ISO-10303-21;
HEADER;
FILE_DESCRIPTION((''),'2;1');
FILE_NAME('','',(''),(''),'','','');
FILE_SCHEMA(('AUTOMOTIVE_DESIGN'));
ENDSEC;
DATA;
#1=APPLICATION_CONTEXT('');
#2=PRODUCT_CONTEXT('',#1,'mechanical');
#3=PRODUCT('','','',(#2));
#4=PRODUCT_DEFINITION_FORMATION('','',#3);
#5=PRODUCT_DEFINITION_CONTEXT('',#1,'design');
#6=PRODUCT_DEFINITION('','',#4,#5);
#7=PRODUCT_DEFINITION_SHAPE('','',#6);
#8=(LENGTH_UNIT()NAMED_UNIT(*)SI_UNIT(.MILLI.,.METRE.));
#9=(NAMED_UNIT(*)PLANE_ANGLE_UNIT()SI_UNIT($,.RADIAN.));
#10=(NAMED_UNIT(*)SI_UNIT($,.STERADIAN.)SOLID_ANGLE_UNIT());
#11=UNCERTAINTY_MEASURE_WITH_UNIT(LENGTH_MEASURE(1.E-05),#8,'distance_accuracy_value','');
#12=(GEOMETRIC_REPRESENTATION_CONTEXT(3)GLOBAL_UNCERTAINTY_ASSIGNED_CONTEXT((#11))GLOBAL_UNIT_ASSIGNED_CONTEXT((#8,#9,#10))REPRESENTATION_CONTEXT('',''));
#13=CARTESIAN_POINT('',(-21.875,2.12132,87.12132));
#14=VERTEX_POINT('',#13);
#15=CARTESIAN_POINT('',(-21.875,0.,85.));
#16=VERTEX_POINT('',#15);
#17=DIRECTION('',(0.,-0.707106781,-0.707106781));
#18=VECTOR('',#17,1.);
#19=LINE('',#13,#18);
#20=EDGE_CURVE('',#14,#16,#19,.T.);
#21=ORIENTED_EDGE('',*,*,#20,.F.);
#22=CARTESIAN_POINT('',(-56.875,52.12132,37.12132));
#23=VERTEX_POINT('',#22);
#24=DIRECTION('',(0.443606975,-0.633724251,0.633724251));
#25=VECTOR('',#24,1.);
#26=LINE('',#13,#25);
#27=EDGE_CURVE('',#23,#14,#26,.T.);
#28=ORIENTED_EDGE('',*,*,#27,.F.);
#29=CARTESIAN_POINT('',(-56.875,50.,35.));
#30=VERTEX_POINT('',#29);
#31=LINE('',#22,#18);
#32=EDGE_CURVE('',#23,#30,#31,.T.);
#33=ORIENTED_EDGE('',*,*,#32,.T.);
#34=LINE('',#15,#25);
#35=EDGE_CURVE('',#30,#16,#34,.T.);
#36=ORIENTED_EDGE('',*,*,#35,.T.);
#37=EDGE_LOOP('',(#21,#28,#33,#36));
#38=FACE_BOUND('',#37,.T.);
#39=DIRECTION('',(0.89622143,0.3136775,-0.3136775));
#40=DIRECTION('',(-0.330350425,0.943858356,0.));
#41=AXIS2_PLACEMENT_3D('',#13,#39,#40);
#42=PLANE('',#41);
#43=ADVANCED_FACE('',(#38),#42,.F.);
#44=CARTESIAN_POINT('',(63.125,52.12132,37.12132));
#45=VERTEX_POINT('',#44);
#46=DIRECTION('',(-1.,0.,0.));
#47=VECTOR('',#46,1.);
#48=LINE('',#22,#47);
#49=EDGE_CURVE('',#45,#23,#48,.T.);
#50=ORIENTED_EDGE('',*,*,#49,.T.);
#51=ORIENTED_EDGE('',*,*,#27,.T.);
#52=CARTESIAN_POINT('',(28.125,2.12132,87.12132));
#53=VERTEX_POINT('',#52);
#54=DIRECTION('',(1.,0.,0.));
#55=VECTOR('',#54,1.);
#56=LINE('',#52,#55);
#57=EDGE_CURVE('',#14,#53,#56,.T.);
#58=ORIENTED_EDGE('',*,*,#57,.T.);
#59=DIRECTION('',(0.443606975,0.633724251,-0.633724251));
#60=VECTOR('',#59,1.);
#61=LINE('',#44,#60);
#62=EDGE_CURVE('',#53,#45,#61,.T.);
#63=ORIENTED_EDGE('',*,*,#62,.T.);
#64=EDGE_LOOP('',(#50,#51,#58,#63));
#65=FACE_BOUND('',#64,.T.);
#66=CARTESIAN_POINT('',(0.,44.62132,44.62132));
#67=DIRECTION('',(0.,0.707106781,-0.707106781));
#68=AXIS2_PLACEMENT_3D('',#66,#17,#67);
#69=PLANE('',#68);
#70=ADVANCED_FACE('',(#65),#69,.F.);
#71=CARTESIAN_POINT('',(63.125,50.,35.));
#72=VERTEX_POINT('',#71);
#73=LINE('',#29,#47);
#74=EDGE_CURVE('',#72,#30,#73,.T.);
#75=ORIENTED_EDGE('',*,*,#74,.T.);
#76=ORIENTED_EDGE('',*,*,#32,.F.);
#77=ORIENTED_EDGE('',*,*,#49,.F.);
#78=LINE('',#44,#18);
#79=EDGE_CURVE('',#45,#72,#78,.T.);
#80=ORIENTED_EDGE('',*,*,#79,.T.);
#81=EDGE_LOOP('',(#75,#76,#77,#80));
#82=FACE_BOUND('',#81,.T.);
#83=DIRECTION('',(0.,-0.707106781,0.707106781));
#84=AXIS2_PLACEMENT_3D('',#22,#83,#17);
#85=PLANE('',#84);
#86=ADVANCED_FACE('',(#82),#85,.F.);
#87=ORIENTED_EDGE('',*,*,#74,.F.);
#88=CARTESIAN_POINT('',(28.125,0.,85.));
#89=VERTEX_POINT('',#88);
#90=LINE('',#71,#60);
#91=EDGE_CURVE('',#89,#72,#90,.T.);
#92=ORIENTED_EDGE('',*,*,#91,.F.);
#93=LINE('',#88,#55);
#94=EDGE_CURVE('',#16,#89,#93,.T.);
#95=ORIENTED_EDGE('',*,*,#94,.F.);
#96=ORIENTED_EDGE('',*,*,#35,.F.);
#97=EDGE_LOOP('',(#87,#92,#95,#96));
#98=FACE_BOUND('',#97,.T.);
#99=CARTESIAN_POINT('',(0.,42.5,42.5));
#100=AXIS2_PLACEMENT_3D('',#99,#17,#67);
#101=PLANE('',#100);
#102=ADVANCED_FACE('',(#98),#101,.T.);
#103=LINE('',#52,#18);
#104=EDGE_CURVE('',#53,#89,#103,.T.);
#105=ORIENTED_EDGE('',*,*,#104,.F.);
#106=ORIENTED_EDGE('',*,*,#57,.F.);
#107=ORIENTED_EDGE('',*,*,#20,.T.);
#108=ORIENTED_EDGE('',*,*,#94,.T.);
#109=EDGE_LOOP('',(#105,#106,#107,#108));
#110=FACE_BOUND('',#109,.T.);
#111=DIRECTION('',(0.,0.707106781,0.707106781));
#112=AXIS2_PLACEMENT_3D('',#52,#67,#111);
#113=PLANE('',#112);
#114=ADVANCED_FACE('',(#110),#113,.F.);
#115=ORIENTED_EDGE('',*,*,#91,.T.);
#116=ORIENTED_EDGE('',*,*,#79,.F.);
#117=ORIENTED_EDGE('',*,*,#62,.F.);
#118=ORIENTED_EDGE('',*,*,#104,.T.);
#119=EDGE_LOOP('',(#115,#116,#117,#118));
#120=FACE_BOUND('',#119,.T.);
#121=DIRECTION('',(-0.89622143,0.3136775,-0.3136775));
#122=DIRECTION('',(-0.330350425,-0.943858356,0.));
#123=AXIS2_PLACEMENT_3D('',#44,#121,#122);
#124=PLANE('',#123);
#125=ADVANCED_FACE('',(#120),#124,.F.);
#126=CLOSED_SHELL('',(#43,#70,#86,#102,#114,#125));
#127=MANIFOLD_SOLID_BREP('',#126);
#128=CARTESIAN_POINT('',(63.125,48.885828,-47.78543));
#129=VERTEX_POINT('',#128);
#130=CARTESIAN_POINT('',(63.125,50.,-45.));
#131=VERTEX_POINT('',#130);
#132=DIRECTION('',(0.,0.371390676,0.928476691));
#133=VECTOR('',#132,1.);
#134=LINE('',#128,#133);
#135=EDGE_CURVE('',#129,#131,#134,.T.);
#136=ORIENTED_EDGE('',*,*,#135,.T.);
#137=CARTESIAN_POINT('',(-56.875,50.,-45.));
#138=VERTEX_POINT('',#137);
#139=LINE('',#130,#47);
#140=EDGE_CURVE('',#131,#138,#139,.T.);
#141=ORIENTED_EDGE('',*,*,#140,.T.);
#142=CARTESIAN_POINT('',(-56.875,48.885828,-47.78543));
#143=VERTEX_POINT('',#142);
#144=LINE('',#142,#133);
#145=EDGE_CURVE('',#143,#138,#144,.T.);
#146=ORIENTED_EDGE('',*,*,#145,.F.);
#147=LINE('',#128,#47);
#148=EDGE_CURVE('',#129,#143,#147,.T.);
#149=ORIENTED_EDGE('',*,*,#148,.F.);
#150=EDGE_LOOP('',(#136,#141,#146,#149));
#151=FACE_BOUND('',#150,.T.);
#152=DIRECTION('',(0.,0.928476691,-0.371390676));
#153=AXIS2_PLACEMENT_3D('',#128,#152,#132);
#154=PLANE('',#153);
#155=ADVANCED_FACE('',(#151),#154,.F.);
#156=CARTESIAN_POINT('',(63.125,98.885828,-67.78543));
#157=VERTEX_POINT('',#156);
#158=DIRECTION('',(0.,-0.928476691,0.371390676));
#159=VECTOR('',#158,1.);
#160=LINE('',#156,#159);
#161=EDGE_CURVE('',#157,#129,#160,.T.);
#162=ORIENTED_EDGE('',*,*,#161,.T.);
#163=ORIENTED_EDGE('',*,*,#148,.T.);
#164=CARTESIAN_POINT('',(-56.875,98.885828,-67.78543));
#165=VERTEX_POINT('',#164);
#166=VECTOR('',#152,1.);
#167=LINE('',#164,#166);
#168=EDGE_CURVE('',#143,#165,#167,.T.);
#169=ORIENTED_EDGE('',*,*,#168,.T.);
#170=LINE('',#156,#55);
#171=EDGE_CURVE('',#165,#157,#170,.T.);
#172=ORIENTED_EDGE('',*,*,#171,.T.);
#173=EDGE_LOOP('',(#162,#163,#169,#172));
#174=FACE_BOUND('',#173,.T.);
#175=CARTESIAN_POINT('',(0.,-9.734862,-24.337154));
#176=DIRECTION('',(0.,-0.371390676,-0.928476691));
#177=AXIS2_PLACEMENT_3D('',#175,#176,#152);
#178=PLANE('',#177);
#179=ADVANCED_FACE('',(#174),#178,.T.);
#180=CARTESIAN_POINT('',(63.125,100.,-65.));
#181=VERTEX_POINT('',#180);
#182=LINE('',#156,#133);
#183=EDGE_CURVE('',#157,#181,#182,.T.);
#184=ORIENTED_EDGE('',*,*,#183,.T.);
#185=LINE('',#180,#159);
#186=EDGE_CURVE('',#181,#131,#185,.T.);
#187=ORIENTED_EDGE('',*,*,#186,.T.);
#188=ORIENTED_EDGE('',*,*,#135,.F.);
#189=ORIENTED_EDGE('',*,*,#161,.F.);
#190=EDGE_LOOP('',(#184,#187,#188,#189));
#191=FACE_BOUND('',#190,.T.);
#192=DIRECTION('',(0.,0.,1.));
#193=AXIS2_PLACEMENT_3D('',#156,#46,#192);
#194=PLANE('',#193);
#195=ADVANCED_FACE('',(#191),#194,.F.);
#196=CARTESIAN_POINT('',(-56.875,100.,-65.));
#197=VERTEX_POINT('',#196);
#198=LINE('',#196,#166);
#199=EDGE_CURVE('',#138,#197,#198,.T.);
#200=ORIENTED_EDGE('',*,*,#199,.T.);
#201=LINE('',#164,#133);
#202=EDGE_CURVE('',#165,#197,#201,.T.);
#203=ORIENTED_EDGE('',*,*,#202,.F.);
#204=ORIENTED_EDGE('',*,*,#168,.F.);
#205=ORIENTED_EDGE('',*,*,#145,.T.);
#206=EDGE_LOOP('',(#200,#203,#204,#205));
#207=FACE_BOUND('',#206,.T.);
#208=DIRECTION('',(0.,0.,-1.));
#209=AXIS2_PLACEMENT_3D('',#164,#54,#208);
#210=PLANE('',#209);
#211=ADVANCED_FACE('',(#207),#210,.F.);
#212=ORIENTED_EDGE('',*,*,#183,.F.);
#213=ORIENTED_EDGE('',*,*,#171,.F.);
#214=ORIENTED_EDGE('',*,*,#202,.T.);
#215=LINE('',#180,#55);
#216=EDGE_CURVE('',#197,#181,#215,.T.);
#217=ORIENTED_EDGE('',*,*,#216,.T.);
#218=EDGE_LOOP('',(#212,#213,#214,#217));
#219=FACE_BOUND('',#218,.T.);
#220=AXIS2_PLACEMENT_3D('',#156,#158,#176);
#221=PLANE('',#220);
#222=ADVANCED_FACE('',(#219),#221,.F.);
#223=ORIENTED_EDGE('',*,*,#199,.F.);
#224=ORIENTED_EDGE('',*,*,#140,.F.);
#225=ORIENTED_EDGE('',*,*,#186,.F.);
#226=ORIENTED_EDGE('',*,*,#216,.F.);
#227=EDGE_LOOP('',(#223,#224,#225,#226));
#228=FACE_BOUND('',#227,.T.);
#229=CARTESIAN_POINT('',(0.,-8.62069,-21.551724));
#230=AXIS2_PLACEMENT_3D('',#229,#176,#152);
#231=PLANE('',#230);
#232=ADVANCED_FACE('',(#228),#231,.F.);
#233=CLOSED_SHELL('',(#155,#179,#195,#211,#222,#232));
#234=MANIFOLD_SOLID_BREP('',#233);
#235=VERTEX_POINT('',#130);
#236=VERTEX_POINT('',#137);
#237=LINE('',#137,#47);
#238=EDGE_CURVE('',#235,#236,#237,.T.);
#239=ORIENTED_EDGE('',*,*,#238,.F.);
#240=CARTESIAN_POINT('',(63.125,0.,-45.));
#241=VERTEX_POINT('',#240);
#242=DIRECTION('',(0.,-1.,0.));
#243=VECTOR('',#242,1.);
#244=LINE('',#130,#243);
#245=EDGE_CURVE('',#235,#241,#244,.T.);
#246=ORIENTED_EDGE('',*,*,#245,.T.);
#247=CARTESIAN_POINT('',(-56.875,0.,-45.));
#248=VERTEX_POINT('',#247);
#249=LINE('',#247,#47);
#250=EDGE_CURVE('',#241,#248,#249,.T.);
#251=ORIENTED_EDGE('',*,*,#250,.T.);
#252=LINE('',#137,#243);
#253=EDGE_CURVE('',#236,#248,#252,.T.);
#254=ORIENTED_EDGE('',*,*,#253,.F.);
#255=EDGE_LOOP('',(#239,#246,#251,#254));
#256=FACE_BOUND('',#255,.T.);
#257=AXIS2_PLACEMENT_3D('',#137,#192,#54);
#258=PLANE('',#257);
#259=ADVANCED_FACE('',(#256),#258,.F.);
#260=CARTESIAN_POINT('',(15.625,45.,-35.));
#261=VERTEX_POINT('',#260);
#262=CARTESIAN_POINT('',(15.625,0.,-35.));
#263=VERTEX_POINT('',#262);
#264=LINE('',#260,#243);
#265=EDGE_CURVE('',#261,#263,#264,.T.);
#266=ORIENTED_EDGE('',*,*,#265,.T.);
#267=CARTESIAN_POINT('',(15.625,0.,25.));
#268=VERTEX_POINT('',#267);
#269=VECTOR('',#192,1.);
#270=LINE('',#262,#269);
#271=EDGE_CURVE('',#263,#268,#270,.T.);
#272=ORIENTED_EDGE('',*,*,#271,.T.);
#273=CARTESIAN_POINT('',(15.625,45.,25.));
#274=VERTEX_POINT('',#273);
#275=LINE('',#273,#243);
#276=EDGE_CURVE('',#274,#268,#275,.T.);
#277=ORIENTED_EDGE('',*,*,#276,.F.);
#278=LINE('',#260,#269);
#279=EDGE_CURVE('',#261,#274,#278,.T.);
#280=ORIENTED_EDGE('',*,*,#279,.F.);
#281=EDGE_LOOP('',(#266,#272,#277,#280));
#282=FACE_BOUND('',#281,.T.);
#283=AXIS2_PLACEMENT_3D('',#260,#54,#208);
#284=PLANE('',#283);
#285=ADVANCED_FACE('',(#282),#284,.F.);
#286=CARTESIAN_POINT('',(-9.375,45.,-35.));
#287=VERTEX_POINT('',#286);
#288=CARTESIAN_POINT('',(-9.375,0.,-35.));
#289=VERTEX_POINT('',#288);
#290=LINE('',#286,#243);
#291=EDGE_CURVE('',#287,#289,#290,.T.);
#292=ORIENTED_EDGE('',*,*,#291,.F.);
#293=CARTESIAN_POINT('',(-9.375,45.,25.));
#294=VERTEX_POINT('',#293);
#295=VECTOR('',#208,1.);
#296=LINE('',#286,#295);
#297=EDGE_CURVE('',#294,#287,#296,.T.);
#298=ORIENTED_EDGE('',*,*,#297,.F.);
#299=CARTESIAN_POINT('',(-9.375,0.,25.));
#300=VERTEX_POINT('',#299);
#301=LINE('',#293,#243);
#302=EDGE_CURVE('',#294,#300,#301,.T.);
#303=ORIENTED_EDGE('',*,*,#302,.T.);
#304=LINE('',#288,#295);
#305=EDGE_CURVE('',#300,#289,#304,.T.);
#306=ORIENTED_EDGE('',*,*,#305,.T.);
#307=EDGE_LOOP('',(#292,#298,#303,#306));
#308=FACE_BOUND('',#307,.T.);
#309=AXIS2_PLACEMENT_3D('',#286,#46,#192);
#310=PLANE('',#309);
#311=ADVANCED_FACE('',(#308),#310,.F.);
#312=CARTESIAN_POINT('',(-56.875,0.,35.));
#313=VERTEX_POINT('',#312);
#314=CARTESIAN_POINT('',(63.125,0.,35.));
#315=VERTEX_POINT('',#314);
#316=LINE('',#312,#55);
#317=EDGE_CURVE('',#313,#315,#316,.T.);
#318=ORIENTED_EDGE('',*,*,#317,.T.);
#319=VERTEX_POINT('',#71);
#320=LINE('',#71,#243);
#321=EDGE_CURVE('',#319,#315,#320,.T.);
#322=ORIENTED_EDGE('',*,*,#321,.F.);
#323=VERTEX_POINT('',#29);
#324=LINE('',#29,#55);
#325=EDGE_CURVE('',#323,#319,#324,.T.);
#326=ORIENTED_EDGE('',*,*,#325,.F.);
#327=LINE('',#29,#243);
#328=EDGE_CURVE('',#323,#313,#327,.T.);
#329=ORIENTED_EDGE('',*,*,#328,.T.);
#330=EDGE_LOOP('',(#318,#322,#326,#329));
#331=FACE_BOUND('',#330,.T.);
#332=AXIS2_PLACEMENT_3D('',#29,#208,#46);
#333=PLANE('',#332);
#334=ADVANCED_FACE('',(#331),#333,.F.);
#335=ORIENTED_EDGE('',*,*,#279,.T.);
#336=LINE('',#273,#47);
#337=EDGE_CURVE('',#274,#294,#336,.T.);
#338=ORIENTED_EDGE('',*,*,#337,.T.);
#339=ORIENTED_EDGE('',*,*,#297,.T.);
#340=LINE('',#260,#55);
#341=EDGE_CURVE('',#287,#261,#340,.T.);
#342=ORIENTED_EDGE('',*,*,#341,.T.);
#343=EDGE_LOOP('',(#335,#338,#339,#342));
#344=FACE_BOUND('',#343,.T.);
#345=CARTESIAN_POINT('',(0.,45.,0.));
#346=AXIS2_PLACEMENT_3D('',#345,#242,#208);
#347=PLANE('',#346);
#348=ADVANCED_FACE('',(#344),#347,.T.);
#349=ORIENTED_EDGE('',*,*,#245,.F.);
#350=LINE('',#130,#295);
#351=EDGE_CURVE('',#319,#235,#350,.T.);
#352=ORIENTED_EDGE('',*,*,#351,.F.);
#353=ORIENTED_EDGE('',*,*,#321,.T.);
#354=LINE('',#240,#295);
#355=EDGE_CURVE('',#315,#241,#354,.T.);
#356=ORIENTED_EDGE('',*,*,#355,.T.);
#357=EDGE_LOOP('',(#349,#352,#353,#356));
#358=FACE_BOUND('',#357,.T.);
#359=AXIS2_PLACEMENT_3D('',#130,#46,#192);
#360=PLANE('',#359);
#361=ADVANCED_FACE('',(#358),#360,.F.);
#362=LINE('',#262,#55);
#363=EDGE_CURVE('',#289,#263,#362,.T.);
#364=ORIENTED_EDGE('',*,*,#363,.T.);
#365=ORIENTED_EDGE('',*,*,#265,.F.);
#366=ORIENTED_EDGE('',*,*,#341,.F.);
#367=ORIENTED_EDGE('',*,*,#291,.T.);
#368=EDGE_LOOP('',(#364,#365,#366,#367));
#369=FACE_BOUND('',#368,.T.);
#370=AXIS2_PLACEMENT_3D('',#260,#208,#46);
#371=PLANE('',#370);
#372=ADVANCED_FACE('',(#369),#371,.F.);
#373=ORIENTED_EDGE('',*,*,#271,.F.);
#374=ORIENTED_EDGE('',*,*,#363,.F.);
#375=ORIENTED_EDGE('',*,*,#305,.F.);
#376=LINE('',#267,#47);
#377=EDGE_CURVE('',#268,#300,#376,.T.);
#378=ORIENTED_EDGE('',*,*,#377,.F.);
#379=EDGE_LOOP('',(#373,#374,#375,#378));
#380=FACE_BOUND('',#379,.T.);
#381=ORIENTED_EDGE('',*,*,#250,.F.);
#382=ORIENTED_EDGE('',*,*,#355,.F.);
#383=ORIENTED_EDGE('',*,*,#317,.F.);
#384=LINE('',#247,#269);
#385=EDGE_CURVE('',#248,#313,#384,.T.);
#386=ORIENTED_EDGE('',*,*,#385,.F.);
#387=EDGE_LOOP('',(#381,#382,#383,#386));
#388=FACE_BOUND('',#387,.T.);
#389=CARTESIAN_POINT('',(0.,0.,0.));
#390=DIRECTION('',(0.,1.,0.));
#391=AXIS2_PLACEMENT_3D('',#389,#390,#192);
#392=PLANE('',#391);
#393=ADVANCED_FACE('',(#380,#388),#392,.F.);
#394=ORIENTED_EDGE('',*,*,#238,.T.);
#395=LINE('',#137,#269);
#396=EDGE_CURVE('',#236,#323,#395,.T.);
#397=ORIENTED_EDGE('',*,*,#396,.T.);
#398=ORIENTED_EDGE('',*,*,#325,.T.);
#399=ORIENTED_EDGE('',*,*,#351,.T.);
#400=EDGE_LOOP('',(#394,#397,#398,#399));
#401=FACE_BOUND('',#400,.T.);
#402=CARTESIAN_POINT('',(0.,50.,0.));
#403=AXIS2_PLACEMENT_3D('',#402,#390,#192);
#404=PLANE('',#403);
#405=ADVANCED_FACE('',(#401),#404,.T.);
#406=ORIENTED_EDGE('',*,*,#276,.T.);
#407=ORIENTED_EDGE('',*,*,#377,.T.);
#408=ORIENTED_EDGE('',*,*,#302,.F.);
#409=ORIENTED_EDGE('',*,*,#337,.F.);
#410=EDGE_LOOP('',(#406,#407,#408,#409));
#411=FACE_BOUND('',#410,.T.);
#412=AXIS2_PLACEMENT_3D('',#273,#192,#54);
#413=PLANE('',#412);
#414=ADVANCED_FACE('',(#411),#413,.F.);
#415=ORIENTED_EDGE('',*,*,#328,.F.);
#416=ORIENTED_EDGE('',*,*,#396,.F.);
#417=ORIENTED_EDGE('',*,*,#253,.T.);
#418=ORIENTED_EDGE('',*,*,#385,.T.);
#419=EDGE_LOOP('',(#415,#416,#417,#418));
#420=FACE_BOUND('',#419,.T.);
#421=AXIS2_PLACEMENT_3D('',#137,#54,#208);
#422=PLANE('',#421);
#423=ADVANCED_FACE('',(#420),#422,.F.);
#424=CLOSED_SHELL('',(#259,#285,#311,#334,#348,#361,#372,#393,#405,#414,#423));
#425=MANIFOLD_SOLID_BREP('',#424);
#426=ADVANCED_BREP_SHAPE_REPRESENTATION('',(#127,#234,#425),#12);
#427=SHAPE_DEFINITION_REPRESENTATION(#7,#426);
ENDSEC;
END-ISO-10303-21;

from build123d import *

# Parameters (mm, degrees)
SKETCH1_W           = 120
SKETCH1_H           = 80
BOSS_EXTRUDE3_DEPTH = 50
SKETCH4_W           = 120
SKETCH4_H           = 53.851648072
BOSS_EXTRUDE4_DEPTH = 3
BOSS_EXTRUDE5_DEPTH = 3
SKETCH7_W           = 25
SKETCH7_H           = 60
CUT_EXTRUDE1_DEPTH  = 45


with BuildPart() as part:
    # Sketch1 → Boss-Extrude3 (new body)
    with BuildSketch(Plane(origin=(0, 0, 0), x_dir=(1, 0, 0), z_dir=(0, 1, 0))):
        with Locations((3.125, 5)):
            Rectangle(SKETCH1_W, SKETCH1_H)
    extrude(amount=BOSS_EXTRUDE3_DEPTH)

    # Sketch7 → Cut-Extrude1 (cut)
    with BuildSketch(Plane.XZ):
        with Locations((3.125, -5)):
            Rectangle(SKETCH7_W, SKETCH7_H)
    extrude(amount=-CUT_EXTRUDE1_DEPTH, mode=Mode.SUBTRACT)


with BuildPart() as body_2:
    # Sketch4 → Boss-Extrude4 (new body)
    with BuildSketch(Plane(origin=(0, -8.620689655, -21.551724138), x_dir=(-1, 0, 0), z_dir=(0, -0.3713906763541038, -0.9284766908852594))):
        with Locations((-3.125, 90.062239016)):
            Rectangle(SKETCH4_W, SKETCH4_H)
    extrude(amount=BOSS_EXTRUDE4_DEPTH)


with BuildPart() as body_3:
    # Sketch6 → Boss-Extrude5 (new body)
    with BuildSketch(Plane(origin=(0, 42.5, 42.5), x_dir=(1, 0, 0), z_dir=(0, 0.7071067811865475, 0.7071067811865477))):
        Polygon((-21.875, -60.104076401), (-56.875, 10.606601718), (63.125, 10.606601718), (28.125, -60.104076401), align=None)
    extrude(amount=BOSS_EXTRUDE5_DEPTH)


solid = Compound([part.part, body_2.part, body_3.part])
